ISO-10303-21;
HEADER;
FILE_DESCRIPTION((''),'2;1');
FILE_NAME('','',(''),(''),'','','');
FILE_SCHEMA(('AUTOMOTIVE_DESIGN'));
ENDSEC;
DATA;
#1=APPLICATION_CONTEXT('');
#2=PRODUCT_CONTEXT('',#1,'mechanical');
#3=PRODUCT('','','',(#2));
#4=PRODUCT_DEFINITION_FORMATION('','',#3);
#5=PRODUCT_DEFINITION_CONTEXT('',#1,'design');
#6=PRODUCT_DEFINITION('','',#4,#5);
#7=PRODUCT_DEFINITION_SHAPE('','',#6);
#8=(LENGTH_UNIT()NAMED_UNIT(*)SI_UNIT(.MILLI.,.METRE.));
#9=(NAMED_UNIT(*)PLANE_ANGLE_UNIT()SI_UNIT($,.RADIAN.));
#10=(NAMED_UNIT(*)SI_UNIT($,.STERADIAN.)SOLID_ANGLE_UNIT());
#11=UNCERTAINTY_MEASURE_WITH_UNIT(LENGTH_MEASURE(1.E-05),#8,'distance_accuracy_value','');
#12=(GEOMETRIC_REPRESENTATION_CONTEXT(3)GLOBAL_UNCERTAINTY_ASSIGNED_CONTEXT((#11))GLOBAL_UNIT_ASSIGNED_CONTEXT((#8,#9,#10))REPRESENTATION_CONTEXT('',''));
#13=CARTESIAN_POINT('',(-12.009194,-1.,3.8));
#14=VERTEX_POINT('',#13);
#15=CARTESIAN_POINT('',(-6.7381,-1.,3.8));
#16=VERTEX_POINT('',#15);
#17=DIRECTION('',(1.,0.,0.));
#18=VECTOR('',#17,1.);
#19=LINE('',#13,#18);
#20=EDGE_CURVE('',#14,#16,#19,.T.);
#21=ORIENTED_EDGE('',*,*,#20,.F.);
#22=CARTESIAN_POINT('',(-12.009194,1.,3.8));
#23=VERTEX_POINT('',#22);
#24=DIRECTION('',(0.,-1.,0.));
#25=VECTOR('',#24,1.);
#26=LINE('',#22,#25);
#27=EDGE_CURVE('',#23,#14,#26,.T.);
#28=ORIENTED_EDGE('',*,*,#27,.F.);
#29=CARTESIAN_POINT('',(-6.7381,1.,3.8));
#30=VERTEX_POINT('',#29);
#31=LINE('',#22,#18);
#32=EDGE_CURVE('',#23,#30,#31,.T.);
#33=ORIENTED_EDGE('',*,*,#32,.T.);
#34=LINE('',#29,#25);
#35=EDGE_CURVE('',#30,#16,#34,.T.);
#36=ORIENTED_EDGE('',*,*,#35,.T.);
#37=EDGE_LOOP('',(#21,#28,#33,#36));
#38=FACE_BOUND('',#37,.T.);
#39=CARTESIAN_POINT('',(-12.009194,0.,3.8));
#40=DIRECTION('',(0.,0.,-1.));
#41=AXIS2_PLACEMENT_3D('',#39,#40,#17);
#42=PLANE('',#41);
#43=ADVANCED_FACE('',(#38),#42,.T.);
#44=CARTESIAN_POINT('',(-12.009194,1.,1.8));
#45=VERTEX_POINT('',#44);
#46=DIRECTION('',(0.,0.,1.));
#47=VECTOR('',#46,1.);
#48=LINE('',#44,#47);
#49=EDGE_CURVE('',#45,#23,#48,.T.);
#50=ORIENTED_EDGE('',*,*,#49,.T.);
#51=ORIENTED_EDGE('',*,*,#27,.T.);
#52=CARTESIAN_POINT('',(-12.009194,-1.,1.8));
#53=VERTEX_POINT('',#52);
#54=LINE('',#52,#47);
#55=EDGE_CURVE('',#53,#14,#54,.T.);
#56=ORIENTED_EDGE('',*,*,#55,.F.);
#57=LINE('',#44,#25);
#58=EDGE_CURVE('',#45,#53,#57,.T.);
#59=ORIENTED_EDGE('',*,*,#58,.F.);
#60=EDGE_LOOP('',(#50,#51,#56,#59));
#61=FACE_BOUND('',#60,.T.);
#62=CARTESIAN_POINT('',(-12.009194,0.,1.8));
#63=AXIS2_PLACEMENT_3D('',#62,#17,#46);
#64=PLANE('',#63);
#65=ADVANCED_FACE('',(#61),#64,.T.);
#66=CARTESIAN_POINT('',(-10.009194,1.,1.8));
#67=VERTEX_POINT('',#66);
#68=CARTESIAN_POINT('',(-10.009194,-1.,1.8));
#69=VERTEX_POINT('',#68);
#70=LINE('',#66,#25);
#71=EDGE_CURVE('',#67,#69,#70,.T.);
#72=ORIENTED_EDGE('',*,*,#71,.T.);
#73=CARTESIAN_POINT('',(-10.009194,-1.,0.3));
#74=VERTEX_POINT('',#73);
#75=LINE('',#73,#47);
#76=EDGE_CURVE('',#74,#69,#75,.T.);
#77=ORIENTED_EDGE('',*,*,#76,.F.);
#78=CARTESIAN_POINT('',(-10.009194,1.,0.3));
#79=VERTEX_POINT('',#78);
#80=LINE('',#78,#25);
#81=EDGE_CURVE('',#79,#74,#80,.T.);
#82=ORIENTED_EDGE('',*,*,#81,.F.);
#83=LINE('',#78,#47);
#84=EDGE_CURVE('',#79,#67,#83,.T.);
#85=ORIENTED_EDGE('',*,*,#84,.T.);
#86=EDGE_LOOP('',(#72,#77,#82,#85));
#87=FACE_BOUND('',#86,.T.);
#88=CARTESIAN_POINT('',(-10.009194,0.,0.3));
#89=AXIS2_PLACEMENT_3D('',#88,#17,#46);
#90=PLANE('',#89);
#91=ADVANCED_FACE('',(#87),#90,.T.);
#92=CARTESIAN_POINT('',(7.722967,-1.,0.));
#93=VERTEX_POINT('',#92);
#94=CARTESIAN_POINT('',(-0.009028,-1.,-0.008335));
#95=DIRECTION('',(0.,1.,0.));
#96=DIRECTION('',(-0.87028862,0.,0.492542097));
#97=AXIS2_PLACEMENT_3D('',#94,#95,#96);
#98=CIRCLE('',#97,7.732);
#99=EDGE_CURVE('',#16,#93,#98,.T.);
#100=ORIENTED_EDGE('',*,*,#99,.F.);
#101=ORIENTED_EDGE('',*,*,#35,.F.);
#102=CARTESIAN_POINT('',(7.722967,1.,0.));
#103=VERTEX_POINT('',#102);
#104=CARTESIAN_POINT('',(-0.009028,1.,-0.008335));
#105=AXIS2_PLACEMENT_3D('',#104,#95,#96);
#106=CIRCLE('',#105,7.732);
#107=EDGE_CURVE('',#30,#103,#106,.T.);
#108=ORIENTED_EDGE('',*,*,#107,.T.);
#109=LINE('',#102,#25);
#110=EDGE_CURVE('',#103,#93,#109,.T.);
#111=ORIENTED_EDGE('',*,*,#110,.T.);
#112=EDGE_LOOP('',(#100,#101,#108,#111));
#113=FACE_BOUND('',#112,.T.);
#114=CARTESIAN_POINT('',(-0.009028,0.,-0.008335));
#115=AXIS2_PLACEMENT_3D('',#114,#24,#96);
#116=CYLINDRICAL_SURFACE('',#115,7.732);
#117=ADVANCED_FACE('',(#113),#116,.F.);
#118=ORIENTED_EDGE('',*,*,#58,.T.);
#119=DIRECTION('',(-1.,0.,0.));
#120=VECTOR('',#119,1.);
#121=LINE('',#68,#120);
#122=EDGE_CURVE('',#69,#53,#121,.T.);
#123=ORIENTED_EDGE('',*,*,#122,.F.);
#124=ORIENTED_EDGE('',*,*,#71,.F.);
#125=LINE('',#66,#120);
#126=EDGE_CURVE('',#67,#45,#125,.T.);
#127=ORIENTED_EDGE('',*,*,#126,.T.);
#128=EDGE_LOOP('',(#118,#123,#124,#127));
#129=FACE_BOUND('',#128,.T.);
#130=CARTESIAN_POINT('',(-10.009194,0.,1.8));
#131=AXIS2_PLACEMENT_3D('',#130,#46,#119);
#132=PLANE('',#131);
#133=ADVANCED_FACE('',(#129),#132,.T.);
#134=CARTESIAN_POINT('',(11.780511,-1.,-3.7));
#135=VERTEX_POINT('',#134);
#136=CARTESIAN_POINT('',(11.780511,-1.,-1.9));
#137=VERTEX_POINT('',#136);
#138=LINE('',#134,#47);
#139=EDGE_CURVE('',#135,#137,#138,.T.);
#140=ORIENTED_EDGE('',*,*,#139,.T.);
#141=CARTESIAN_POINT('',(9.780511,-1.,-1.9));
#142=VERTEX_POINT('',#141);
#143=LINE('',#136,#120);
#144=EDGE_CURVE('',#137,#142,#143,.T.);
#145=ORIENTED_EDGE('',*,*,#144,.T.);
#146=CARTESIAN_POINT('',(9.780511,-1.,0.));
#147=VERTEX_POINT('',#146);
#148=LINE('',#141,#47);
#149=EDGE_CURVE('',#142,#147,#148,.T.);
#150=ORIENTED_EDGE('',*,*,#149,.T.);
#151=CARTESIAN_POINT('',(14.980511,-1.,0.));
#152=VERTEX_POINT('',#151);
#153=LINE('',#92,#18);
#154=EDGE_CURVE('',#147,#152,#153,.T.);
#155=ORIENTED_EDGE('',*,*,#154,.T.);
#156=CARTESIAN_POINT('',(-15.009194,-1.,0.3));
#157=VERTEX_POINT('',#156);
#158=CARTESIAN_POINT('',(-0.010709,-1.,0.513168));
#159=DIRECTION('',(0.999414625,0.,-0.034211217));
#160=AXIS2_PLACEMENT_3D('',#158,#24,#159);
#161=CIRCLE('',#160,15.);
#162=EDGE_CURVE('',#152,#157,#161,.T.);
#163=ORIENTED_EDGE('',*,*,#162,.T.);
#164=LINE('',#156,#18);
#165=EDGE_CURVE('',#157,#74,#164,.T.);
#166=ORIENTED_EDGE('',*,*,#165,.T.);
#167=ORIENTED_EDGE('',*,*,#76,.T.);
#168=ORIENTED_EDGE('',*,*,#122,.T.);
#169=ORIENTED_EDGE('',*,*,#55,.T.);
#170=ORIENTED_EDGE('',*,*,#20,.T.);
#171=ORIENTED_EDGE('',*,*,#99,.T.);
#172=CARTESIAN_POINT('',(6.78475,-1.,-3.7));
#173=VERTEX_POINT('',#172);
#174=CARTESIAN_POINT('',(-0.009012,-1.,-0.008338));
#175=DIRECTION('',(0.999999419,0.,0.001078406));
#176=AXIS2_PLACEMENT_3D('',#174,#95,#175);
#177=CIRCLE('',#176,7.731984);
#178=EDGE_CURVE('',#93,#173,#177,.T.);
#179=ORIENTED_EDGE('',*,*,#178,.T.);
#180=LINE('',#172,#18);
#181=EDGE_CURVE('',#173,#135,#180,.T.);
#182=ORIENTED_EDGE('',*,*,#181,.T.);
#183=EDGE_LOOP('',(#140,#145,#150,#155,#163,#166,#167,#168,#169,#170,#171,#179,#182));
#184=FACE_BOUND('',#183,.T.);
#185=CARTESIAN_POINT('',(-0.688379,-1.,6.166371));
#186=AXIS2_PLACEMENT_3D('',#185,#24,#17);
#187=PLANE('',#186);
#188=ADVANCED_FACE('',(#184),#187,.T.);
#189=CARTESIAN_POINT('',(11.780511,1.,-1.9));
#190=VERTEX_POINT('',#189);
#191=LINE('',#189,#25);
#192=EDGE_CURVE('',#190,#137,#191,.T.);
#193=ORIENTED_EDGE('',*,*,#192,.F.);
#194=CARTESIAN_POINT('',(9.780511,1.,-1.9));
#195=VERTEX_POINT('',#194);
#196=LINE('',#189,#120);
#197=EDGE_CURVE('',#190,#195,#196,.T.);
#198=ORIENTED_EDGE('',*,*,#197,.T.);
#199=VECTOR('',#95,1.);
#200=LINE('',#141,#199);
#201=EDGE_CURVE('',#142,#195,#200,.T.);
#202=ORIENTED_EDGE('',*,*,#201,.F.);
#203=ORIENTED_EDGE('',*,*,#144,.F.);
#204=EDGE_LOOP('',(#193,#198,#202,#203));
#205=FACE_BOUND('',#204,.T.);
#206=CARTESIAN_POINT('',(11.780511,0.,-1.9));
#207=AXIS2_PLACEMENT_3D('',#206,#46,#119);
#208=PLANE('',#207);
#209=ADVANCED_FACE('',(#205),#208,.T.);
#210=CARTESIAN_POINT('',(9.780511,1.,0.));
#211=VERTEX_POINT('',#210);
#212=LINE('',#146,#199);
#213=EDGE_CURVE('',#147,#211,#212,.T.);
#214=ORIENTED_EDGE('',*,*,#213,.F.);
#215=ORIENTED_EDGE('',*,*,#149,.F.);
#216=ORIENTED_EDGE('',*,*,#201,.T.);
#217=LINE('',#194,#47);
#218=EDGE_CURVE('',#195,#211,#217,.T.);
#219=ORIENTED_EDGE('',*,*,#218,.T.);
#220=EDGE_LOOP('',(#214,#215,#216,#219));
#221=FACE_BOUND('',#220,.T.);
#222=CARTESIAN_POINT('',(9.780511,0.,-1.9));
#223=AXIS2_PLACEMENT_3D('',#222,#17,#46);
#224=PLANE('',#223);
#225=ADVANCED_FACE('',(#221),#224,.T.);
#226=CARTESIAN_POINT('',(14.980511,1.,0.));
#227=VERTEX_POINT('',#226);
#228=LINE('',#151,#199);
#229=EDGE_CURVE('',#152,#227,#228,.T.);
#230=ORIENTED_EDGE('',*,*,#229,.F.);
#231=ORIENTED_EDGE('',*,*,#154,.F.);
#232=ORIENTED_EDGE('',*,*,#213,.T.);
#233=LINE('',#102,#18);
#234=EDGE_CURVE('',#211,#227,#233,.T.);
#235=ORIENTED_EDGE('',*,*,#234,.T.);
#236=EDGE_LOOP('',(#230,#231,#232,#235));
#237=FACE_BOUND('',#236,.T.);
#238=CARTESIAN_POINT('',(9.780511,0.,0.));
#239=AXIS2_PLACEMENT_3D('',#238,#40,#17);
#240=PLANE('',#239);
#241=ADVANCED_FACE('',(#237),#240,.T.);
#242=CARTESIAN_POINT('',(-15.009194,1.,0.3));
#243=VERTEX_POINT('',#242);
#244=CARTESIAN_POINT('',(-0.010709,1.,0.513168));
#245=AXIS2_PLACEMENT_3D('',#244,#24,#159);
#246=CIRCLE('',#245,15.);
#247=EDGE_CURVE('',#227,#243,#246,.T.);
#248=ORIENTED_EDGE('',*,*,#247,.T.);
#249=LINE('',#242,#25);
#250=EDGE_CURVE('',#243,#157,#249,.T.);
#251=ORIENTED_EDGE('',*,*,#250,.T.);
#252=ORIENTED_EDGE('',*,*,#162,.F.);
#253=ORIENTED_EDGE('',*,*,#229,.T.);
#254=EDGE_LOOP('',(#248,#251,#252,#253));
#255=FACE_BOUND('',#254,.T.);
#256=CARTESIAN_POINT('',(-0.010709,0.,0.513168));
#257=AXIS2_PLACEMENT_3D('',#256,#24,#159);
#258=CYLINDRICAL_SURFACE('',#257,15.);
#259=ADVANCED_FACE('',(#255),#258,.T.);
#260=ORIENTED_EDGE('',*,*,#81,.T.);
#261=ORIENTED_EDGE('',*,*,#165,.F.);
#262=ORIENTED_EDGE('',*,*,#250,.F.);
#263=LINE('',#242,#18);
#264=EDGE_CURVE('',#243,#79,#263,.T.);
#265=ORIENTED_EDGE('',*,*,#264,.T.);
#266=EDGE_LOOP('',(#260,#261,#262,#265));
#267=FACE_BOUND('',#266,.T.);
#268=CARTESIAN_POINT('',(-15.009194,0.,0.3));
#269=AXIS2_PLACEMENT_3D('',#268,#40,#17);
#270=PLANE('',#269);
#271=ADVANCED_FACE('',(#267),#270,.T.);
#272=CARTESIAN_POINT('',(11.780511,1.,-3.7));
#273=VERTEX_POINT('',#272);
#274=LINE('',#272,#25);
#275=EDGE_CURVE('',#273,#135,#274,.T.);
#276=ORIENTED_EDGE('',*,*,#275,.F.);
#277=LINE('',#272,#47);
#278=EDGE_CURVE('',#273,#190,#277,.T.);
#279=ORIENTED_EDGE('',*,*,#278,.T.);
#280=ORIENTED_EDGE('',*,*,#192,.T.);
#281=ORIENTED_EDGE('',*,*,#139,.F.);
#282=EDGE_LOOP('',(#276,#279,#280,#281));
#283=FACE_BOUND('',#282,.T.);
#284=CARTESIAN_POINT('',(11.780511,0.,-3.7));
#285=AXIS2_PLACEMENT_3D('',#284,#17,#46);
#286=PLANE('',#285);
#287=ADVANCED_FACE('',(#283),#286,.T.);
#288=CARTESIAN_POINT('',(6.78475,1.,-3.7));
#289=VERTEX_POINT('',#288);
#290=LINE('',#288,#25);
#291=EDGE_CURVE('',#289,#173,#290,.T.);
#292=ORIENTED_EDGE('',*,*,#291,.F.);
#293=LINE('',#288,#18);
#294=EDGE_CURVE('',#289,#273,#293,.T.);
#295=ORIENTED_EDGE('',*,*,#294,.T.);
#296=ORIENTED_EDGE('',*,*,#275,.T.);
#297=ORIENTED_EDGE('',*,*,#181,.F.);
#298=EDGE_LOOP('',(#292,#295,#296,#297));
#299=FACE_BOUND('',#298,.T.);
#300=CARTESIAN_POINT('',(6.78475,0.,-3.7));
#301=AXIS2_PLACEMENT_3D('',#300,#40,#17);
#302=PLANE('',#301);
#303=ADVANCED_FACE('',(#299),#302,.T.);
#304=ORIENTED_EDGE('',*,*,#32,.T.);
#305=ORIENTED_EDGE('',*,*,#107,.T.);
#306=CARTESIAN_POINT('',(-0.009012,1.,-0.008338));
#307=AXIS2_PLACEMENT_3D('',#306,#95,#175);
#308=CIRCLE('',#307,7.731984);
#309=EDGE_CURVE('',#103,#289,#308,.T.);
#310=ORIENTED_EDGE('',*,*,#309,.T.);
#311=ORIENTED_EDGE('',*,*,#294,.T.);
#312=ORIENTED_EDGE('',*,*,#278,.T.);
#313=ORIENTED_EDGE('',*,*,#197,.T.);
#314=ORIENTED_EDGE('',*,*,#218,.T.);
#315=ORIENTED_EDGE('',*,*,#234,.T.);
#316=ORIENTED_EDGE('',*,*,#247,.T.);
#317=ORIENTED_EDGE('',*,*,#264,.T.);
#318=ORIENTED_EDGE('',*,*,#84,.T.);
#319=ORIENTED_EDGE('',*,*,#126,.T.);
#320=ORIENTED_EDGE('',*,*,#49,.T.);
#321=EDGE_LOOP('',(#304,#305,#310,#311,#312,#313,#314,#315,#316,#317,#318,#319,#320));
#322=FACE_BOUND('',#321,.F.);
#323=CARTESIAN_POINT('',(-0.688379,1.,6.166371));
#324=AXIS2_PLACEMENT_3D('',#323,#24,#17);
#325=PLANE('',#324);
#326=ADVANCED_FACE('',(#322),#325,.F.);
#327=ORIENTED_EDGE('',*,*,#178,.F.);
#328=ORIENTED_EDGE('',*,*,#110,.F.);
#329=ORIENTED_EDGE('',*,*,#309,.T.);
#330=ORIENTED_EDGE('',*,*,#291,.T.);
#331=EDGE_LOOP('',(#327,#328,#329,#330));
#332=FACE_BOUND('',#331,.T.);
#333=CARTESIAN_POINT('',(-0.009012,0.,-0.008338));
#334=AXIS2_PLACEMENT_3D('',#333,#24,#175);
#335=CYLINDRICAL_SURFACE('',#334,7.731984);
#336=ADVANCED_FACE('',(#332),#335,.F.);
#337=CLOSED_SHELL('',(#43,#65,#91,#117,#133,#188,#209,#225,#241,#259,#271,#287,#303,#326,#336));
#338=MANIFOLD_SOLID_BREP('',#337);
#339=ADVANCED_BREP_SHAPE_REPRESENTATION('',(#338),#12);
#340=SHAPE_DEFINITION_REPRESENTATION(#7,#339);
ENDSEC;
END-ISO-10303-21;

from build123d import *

# Parameters (mm, degrees)
F1_DEPTH = 1


with BuildPart() as f1:
    # F0 (on Front) → F1 (new body, symmetric)
    with BuildSketch(Plane.XZ):
        with BuildLine():
            ThreePointArc((14.980511, 0), (0.139336, 15.512418), (-15.009194, 0.3))
            Line((-15.009194, 0.3), (-10.009194, 0.3))
            Line((-10.009194, 0.3), (-10.009194, 1.8))
            Line((-10.009194, 1.8), (-12.009194, 1.8))
            Line((-12.009194, 1.8), (-12.009194, 3.8))
            Line((-12.009194, 3.8), (-6.7381, 3.8))
            ThreePointArc((-6.7381, 3.8), (1.956032, 7.46979), (7.722967, 0))
            Line((7.722967, 0), (9.780511, 0))
            Line((9.780511, 0), (14.980511, 0))
        make_face()
        with BuildLine():
            Line((9.780511, -1.9), (9.780511, 0))
            Line((9.780511, 0), (7.722967, 0))
            ThreePointArc((7.722967, 0), (7.485772, -1.908807), (6.78475, -3.7))
            Line((6.78475, -3.7), (11.780511, -3.7))
            Line((11.780511, -3.7), (11.780511, -1.9))
            Line((11.780511, -1.9), (9.780511, -1.9))
        make_face()
    extrude(amount=F1_DEPTH, both=True)


solid = f1.part
